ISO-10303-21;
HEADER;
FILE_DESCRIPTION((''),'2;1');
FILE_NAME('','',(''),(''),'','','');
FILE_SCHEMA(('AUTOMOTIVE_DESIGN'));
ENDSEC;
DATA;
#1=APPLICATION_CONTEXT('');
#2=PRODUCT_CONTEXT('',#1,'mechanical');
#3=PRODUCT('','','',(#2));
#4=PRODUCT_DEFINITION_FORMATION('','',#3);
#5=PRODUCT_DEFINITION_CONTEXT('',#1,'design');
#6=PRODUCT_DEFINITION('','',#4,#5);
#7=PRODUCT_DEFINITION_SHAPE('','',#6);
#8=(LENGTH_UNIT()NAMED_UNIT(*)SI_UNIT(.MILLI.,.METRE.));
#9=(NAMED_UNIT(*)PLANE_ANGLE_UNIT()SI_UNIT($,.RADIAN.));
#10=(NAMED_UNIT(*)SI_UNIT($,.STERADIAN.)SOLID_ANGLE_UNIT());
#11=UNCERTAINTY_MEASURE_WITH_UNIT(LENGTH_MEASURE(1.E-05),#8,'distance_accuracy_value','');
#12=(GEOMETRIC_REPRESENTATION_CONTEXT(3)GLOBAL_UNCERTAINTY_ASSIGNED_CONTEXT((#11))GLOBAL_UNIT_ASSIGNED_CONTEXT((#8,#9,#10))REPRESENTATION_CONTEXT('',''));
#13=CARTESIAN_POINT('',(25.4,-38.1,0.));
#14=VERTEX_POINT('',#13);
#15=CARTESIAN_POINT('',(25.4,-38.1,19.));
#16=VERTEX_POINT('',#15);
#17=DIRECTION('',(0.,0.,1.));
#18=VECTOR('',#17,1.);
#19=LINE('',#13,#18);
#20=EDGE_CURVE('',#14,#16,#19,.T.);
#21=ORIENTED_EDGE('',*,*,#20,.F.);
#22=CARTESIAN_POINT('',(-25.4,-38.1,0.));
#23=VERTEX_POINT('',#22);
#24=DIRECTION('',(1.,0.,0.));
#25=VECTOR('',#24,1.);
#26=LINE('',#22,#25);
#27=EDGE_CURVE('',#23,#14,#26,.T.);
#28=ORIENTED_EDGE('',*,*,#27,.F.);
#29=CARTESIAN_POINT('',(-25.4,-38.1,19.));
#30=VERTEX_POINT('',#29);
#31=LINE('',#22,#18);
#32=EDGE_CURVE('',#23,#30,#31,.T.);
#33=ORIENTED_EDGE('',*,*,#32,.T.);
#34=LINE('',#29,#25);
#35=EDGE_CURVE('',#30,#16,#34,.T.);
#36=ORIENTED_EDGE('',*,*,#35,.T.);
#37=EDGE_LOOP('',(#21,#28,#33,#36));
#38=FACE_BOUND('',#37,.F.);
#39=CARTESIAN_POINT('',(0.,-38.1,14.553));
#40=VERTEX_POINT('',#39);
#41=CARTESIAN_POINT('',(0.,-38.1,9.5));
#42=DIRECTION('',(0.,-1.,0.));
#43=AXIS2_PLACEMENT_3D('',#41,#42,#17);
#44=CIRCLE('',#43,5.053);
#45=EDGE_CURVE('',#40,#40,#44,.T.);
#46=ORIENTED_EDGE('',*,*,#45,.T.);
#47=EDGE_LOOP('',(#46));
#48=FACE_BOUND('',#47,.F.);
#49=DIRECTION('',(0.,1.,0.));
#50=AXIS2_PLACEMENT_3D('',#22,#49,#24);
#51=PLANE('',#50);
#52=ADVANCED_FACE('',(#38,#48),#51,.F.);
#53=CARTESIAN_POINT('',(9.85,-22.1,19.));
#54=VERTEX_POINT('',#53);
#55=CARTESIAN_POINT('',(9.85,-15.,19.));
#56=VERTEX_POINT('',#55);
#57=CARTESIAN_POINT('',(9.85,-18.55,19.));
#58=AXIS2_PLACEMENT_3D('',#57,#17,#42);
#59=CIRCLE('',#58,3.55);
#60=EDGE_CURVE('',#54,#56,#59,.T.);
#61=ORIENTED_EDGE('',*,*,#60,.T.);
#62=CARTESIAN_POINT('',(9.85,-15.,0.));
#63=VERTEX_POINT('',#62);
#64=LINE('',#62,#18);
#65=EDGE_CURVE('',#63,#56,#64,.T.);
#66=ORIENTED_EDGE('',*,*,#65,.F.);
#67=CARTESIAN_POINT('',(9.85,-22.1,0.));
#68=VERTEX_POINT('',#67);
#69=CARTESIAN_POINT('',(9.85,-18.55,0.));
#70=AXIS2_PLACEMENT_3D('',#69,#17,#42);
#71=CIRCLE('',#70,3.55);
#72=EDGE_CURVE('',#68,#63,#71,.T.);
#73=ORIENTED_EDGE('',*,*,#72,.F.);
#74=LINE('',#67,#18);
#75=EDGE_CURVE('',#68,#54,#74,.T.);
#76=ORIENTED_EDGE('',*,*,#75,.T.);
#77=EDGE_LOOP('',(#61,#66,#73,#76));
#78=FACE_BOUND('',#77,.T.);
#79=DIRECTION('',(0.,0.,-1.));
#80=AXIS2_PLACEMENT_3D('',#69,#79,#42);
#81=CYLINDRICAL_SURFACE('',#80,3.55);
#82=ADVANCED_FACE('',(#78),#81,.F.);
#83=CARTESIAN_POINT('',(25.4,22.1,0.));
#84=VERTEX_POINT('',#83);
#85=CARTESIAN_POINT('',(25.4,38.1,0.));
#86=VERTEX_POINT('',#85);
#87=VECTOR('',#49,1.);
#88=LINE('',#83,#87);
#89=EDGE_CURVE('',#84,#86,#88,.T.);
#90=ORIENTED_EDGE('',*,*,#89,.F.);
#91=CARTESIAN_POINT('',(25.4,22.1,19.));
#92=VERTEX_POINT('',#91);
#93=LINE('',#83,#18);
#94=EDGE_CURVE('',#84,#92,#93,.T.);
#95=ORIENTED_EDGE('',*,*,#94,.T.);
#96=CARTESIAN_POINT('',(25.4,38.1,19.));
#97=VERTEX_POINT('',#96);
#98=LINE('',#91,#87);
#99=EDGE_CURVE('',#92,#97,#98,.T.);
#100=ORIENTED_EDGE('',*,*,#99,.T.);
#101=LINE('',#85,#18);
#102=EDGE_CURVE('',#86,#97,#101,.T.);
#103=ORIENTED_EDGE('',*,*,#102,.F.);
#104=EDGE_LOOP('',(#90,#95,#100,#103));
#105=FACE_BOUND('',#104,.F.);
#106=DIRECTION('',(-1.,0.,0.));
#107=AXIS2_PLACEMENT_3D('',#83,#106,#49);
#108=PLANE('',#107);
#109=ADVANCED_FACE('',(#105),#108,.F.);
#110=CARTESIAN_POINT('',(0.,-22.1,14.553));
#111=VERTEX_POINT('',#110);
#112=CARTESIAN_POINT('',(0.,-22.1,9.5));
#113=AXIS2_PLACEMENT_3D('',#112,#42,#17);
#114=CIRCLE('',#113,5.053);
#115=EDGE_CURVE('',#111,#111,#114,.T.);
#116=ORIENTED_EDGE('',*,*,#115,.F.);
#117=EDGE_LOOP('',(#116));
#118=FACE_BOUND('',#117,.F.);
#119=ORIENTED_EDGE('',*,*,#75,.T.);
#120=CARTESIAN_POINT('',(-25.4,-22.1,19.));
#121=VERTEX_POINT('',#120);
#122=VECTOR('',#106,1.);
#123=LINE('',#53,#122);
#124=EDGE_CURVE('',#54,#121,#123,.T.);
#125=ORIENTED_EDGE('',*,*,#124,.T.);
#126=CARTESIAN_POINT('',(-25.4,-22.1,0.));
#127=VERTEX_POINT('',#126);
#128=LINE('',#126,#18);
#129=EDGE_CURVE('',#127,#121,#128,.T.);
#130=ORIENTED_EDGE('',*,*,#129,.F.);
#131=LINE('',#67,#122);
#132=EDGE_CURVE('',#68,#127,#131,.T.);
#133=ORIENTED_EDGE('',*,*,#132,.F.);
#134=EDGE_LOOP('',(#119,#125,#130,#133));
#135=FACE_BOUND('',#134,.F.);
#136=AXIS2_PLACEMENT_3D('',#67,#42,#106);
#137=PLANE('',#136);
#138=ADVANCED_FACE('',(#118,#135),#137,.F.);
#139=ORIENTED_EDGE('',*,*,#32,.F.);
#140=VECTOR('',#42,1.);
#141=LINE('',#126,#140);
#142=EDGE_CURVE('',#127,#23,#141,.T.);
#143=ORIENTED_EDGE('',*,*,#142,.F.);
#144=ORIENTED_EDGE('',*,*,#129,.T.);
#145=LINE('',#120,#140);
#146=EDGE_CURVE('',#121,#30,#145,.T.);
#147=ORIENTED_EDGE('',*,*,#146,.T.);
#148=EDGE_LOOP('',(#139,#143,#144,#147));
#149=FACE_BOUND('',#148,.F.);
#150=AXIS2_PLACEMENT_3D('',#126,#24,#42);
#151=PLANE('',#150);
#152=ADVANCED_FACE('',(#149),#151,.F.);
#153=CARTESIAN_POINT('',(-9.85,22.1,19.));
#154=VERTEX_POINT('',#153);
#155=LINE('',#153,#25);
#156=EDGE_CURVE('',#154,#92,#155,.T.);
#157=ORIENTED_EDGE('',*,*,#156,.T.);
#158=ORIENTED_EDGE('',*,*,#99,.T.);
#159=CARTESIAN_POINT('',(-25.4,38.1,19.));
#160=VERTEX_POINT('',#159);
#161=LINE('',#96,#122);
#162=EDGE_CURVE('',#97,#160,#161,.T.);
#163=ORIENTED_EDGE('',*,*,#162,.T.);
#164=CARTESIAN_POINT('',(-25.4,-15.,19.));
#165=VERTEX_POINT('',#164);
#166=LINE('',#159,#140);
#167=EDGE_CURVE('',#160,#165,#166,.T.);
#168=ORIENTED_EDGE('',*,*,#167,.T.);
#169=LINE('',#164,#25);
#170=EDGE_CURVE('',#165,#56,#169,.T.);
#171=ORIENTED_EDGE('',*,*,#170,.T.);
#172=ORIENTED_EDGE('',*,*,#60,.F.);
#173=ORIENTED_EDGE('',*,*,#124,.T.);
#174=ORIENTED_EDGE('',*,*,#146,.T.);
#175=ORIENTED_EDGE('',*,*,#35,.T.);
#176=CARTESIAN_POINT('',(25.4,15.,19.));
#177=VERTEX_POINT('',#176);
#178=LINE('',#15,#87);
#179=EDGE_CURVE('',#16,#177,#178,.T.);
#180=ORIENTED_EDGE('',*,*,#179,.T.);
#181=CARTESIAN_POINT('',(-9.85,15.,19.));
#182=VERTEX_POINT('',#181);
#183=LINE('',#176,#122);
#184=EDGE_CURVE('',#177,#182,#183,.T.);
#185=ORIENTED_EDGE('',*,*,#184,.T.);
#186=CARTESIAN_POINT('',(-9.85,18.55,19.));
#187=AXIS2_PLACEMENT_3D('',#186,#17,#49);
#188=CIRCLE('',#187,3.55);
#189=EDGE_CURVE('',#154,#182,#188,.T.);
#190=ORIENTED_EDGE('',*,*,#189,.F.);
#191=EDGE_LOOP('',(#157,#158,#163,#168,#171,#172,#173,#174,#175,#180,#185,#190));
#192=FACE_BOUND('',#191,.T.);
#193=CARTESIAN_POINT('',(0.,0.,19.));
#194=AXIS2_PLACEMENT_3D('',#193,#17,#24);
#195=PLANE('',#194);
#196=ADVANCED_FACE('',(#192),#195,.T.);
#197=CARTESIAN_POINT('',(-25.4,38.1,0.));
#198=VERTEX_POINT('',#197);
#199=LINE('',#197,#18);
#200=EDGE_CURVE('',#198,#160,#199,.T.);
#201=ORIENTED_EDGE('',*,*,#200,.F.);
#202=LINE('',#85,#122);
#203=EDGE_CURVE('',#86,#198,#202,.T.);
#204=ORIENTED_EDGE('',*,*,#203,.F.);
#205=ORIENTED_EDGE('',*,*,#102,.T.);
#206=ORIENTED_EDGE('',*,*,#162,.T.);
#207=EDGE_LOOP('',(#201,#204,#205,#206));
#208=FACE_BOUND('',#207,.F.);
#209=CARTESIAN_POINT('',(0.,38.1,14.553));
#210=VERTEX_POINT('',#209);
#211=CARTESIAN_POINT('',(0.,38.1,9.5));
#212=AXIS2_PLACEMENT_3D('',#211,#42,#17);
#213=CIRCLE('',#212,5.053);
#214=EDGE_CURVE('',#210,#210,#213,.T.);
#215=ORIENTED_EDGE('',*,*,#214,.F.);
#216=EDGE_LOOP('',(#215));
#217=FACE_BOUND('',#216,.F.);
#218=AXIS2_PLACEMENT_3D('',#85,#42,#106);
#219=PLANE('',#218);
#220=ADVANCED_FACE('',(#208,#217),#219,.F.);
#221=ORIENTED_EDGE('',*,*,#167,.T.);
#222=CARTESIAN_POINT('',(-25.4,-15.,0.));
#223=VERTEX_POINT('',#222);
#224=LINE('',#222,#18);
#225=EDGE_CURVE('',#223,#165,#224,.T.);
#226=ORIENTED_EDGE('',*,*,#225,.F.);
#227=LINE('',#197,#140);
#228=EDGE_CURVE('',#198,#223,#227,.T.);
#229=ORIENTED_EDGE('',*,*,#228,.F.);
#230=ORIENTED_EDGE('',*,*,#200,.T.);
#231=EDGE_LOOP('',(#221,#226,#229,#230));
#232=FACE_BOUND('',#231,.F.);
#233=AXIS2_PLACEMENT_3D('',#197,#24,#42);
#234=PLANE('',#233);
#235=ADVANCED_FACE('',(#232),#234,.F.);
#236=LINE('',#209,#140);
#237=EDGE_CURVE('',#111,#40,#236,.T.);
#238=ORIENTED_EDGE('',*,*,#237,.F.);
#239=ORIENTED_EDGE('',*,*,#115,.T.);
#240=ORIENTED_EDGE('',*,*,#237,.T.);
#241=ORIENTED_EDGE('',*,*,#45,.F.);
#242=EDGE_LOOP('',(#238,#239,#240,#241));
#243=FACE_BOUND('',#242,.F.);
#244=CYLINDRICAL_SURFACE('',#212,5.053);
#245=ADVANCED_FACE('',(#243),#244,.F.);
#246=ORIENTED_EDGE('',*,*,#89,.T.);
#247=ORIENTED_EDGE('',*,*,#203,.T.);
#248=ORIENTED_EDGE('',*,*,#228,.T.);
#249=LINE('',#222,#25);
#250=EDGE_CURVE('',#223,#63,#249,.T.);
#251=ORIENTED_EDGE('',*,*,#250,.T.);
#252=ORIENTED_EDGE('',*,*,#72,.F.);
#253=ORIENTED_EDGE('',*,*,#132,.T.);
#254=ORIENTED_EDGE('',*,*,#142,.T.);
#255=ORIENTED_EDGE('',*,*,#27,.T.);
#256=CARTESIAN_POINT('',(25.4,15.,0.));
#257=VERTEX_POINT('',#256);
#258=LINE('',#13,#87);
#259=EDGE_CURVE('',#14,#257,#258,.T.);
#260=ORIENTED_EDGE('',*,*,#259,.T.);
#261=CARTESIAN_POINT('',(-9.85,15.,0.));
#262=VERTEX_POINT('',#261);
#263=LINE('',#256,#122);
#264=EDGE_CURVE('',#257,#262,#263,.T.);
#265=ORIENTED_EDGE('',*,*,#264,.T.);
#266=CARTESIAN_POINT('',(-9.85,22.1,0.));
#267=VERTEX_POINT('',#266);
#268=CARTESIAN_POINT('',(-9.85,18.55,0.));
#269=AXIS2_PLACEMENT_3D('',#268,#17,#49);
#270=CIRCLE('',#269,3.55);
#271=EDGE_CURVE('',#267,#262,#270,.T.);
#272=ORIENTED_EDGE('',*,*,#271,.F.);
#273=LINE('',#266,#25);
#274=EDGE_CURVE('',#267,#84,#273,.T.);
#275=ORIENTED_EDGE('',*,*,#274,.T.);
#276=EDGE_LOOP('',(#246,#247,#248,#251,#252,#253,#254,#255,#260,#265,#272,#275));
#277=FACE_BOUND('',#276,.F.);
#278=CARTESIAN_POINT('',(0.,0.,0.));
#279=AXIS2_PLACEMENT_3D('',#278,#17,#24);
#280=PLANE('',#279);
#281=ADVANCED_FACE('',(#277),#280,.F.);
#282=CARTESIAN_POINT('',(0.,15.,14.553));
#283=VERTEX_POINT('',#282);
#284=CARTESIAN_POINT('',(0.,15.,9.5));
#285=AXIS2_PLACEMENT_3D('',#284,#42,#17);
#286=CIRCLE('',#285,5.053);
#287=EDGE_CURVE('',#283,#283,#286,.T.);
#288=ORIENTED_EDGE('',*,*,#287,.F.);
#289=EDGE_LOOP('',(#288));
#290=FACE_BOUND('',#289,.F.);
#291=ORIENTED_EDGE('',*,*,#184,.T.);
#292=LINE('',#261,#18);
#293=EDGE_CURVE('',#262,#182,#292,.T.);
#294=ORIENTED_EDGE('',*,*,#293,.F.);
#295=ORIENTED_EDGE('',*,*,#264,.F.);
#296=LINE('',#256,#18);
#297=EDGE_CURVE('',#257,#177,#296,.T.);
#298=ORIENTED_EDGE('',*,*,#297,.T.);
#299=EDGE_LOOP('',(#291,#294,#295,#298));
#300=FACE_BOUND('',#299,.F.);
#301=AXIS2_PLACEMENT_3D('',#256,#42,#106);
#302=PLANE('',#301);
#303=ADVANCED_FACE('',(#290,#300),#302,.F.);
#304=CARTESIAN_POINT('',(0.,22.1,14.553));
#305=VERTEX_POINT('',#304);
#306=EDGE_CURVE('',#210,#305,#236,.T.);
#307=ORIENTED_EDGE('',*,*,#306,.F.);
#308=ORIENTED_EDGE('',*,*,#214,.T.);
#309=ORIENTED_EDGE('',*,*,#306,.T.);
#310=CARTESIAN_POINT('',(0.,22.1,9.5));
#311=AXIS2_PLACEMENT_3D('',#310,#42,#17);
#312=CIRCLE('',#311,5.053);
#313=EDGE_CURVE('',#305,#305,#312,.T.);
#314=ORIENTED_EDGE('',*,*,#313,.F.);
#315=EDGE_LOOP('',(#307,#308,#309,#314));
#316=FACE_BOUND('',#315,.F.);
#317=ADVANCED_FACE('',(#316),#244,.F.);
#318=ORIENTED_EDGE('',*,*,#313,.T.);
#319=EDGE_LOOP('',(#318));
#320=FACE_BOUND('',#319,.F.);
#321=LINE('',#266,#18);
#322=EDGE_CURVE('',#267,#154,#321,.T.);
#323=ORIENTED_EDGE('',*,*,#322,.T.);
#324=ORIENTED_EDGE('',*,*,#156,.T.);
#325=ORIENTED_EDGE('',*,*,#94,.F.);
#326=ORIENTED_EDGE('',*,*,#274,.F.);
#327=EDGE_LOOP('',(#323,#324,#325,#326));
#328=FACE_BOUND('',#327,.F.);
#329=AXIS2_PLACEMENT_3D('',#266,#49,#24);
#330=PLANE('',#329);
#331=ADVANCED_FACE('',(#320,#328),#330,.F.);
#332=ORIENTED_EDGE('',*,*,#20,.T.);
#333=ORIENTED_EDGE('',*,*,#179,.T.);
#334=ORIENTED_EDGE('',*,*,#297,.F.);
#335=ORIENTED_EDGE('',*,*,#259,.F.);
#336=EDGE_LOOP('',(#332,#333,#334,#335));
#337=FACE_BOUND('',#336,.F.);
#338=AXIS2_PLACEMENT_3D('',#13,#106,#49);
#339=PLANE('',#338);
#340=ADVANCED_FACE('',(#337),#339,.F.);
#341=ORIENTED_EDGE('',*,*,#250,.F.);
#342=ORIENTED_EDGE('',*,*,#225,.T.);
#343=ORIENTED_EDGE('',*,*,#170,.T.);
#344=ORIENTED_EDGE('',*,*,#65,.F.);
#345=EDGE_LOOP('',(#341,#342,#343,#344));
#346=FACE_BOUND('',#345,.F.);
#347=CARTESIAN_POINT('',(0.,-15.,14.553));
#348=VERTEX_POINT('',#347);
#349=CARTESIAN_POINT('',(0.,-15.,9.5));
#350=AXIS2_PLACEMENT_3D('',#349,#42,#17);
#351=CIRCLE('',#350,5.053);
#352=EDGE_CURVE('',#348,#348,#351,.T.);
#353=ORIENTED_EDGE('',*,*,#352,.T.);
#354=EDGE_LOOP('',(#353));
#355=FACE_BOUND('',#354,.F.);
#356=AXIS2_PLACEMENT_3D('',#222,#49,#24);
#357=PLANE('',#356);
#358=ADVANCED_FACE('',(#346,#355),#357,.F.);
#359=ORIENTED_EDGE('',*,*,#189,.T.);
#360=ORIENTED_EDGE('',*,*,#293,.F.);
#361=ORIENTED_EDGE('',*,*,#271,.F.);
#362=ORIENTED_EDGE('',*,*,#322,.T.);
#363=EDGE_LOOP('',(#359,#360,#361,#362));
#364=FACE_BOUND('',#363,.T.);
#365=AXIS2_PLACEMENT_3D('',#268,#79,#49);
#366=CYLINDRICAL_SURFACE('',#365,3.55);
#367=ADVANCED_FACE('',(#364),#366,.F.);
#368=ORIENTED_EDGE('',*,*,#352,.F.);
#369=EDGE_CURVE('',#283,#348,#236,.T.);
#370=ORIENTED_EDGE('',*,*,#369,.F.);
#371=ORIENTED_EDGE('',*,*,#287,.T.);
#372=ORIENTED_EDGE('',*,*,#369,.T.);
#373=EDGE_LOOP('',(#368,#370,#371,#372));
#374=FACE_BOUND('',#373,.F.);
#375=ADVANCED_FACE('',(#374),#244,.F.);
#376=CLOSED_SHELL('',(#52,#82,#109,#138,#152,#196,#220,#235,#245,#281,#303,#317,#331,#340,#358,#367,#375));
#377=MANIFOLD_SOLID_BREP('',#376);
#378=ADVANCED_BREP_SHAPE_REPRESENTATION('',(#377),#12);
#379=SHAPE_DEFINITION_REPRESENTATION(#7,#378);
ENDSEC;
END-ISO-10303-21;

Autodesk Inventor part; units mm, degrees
ref_plane "YZ Plane" through (0, 0, 0) normal (1, 0, 0) x (0, 1, 0)
ref_plane "XZ Plane" through (0, 0, 0) normal (0, 1, 0) x (-1, 0, 0)
ref_plane "XY Plane" through (0, 0, 0) normal (0, 0, 1) x (1, 0, 0)
sketch "Sketch1" plane through (0, 0, 0) normal (0, 0, 1) x (1, 0, 0)
  line L0 (-25.4, -38.1) -> (25.4, -38.1) construction
  line L1 (25.4, -38.1) -> (25.4, 38.1) construction
  line L2 (25.4, 38.1) -> (-25.4, 38.1) construction
  line L3 (-25.4, 38.1) -> (-25.4, -38.1) construction
  line L4 (-25.4, -38.1) -> (25.4, 38.1) construction
  line L5 (25.4, -38.1) -> (-25.4, 38.1) construction
  line L6 (25.4, 38.1) -> (-25.4, 38.1) construction
  line L7 (-25.4, 38.1) -> (-25.4, 22.1) construction
  line L8 (-25.4, 22.1) -> (25.4, 22.1) construction
  line L9 (25.4, 22.1) -> (25.4, 38.1) construction
  line L10 (-25.4, -38.1) -> (25.4, -38.1) construction
  line L11 (25.4, -38.1) -> (25.4, -22.1) construction
  line L12 (25.4, -22.1) -> (-25.4, -22.1) construction
  line L13 (-25.4, -22.1) -> (-25.4, -38.1) construction
  line L14 (25.4, -15) -> (-25.4, -15) construction
  line L15 (-25.4, -15) -> (-25.4, 15) construction
  line L16 (-25.4, 15) -> (25.4, 15) construction
  line L17 (25.4, 15) -> (25.4, -15) construction
  line L18 (25.4, -15) -> (-25.4, 15) construction
  line L19 (-25.4, -15) -> (25.4, 15) construction
  line L20 (-25.4, 22.1) -> (-13.4, 22.1) construction
  line L21 (-13.4, 22.1) -> (-13.4, 15) construction
  line L22 (-13.4, 15) -> (-25.4, 15) construction
  line L23 (-25.4, 15) -> (-25.4, 22.1) construction
  line L24 (25.4, -22.1) -> (13.4, -22.1) construction
  line L25 (13.4, -22.1) -> (13.4, -15) construction
  line L26 (13.4, -15) -> (25.4, -15) construction
  line L27 (25.4, -15) -> (25.4, -22.1) construction
  line L28 (-13.4, 15) -> (-6.3, 15) construction
  line L29 (-6.3, 15) -> (-6.3, 22.1) construction
  line L30 (-6.3, 22.1) -> (-13.4, 22.1) construction
  line L31 (-13.4, 22.1) -> (-13.4, 15) construction
  line L32 (13.4, -22.1) -> (6.3, -22.1) construction
  line L33 (6.3, -22.1) -> (6.3, -15) construction
  line L34 (6.3, -15) -> (13.4, -15) construction
  line L35 (13.4, -15) -> (13.4, -22.1) construction
  arc A0 (-9.85, 22.1) -> (-9.85, 15) centre (-9.85, 18.55) ccw construction
  arc A1 (9.85, -22.1) -> (9.85, -15) centre (9.85, -18.55) ccw construction
  line L36 (25.4, 22.1) -> (25.4, 38.1)
  line L37 (25.4, 38.1) -> (-25.4, 38.1)
  line L38 (-25.4, 38.1) -> (-25.4, -15)
  line L39 (-25.4, -15) -> (9.85, -15)
  arc A2 (9.85, -22.1) -> (9.85, -15) centre (9.85, -18.55) ccw
  line L40 (9.85, -22.1) -> (-25.4, -22.1)
  line L41 (-25.4, -22.1) -> (-25.4, -38.1)
  line L42 (-25.4, -38.1) -> (25.4, -38.1)
  line L43 (25.4, -38.1) -> (25.4, 15)
  line L44 (25.4, 15) -> (-9.85, 15)
  arc A3 (-9.85, 22.1) -> (-9.85, 15) centre (-9.85, 18.55) ccw
  line L45 (-9.85, 22.1) -> (25.4, 22.1)
  line L46 (25.4, 38.1) -> (25.4, 22.1)
  line L47 (25.4, 22.1) -> (-9.85, 22.1)
  line L48 (-9.85, 15) -> (25.4, 15)
  line L49 (25.4, 15) -> (25.4, -38.1)
  line L50 (25.4, -38.1) -> (-25.4, -38.1)
  line L51 (-25.4, -38.1) -> (-25.4, -22.1)
  line L52 (-25.4, -22.1) -> (9.85, -22.1)
  line L53 (-25.4, -15) -> (9.85, -15)
  arc A4 (9.85, -22.1) -> (9.85, -15) centre (9.85, -18.55) ccw
  arc A5 (-9.85, 22.1) -> (-9.85, 15) centre (-9.85, 18.55) ccw
  line L54 (-25.4, -15) -> (-25.4, 38.1)
  line L55 (-25.4, 38.1) -> (25.4, 38.1)
  point P0 (0, 0)
  dimension "d0" = 50.8
  dimension "d1" = 76.2
  dimension "d2" = 50.8
  dimension "d3" = 16
  dimension "d4" = 16
  dimension "d5" = 30
  dimension "d6" = 12
  dimension "d7" = 12
  dimension "d8" = 7.1
  dimension "d9" = 7.1
extrude "Extrusion1" add sketch "Sketch1" along normal blind 19
sketch "Sketch2" plane through (-25.4, 38.1, 0) normal (0, 1, 0) x (1, 0, 0)
  line L0 (0, -19) -> (50.8, 0) construction
  line L1 (50.8, -19) -> (0, 0) construction
  point P0 (25.4, 0)
  point P1 (25.4, -9.5)
hole "Hole1" at (0, 38.1, 9.5) direction (0, -1, 0) diameter 10.106 end through all thread size "M12x1.75" class "6H" standard "ISO Metric profile"
equation "\"d2\" = d0"
equation "\"d4\" = d3"
properties part number "loadcell_s_500kg" material "Stainless Steel"
